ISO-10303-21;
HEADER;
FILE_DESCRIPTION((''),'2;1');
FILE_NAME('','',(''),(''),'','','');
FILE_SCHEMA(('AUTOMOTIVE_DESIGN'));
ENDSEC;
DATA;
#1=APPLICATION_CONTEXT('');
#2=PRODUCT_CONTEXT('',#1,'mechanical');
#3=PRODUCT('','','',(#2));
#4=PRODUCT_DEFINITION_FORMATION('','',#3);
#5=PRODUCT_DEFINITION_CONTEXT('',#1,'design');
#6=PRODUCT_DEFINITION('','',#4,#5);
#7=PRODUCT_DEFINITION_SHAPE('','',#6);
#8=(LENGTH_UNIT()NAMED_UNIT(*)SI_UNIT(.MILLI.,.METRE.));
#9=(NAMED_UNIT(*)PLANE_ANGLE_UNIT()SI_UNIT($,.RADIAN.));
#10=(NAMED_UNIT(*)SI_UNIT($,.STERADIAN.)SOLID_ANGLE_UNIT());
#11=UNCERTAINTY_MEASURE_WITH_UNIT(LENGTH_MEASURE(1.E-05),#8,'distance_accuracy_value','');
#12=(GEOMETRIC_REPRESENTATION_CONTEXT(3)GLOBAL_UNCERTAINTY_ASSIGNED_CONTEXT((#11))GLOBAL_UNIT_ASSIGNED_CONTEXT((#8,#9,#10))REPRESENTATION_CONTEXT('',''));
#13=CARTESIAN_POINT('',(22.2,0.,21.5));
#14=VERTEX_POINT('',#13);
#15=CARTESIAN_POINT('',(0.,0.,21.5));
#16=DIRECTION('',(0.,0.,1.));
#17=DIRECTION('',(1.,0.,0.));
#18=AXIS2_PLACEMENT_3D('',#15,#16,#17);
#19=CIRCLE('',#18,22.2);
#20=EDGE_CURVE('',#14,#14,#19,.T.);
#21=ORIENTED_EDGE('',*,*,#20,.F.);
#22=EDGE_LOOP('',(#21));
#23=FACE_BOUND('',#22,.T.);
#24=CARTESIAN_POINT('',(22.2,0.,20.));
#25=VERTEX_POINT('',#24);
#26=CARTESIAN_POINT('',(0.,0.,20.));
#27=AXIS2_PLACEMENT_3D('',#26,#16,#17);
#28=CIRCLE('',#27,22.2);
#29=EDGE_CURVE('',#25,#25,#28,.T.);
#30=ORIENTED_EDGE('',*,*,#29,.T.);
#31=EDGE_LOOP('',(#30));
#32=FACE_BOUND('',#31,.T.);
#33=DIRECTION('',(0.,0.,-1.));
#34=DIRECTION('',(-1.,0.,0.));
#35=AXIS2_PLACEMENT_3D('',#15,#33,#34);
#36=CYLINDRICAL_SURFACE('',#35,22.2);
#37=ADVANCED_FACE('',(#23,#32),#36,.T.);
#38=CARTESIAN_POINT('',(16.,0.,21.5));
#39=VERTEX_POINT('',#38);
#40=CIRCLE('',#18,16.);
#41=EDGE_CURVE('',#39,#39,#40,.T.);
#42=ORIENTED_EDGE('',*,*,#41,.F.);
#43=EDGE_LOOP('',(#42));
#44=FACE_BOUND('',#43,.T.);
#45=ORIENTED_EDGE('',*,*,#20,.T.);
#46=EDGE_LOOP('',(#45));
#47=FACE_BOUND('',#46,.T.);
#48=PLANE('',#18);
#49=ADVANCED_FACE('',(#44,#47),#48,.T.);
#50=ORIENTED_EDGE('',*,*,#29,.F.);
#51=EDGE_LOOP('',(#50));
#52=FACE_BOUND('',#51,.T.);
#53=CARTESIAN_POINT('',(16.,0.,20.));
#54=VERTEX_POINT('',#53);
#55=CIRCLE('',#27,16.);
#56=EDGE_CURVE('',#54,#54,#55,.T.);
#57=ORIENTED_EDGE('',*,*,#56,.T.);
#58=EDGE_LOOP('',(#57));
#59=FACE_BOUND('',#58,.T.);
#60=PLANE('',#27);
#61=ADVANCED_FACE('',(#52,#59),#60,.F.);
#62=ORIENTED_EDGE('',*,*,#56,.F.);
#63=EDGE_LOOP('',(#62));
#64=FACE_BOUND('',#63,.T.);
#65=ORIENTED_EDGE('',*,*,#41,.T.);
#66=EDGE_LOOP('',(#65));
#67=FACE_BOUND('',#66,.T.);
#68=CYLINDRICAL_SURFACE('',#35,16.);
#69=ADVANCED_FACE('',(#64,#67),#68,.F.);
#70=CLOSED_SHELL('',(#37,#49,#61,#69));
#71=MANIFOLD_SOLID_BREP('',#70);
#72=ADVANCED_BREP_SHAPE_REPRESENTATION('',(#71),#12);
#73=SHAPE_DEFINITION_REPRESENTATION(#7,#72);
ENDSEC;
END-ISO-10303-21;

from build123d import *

# Parameters (mm, degrees)
STACK_WASHER_START = 20
SKETCH_1_R         = 22.2
SKETCH_1_R_2       = 16
STACK_WASHER_DEPTH = 1.5


with BuildPart() as part:
    # Эскиз1 → Stack_washer (new body)
    with BuildSketch(Plane.XY.offset(STACK_WASHER_START)):
        Circle(SKETCH_1_R)
        Circle(SKETCH_1_R_2, mode=Mode.SUBTRACT)
    extrude(amount=STACK_WASHER_DEPTH)


solid = part.part
